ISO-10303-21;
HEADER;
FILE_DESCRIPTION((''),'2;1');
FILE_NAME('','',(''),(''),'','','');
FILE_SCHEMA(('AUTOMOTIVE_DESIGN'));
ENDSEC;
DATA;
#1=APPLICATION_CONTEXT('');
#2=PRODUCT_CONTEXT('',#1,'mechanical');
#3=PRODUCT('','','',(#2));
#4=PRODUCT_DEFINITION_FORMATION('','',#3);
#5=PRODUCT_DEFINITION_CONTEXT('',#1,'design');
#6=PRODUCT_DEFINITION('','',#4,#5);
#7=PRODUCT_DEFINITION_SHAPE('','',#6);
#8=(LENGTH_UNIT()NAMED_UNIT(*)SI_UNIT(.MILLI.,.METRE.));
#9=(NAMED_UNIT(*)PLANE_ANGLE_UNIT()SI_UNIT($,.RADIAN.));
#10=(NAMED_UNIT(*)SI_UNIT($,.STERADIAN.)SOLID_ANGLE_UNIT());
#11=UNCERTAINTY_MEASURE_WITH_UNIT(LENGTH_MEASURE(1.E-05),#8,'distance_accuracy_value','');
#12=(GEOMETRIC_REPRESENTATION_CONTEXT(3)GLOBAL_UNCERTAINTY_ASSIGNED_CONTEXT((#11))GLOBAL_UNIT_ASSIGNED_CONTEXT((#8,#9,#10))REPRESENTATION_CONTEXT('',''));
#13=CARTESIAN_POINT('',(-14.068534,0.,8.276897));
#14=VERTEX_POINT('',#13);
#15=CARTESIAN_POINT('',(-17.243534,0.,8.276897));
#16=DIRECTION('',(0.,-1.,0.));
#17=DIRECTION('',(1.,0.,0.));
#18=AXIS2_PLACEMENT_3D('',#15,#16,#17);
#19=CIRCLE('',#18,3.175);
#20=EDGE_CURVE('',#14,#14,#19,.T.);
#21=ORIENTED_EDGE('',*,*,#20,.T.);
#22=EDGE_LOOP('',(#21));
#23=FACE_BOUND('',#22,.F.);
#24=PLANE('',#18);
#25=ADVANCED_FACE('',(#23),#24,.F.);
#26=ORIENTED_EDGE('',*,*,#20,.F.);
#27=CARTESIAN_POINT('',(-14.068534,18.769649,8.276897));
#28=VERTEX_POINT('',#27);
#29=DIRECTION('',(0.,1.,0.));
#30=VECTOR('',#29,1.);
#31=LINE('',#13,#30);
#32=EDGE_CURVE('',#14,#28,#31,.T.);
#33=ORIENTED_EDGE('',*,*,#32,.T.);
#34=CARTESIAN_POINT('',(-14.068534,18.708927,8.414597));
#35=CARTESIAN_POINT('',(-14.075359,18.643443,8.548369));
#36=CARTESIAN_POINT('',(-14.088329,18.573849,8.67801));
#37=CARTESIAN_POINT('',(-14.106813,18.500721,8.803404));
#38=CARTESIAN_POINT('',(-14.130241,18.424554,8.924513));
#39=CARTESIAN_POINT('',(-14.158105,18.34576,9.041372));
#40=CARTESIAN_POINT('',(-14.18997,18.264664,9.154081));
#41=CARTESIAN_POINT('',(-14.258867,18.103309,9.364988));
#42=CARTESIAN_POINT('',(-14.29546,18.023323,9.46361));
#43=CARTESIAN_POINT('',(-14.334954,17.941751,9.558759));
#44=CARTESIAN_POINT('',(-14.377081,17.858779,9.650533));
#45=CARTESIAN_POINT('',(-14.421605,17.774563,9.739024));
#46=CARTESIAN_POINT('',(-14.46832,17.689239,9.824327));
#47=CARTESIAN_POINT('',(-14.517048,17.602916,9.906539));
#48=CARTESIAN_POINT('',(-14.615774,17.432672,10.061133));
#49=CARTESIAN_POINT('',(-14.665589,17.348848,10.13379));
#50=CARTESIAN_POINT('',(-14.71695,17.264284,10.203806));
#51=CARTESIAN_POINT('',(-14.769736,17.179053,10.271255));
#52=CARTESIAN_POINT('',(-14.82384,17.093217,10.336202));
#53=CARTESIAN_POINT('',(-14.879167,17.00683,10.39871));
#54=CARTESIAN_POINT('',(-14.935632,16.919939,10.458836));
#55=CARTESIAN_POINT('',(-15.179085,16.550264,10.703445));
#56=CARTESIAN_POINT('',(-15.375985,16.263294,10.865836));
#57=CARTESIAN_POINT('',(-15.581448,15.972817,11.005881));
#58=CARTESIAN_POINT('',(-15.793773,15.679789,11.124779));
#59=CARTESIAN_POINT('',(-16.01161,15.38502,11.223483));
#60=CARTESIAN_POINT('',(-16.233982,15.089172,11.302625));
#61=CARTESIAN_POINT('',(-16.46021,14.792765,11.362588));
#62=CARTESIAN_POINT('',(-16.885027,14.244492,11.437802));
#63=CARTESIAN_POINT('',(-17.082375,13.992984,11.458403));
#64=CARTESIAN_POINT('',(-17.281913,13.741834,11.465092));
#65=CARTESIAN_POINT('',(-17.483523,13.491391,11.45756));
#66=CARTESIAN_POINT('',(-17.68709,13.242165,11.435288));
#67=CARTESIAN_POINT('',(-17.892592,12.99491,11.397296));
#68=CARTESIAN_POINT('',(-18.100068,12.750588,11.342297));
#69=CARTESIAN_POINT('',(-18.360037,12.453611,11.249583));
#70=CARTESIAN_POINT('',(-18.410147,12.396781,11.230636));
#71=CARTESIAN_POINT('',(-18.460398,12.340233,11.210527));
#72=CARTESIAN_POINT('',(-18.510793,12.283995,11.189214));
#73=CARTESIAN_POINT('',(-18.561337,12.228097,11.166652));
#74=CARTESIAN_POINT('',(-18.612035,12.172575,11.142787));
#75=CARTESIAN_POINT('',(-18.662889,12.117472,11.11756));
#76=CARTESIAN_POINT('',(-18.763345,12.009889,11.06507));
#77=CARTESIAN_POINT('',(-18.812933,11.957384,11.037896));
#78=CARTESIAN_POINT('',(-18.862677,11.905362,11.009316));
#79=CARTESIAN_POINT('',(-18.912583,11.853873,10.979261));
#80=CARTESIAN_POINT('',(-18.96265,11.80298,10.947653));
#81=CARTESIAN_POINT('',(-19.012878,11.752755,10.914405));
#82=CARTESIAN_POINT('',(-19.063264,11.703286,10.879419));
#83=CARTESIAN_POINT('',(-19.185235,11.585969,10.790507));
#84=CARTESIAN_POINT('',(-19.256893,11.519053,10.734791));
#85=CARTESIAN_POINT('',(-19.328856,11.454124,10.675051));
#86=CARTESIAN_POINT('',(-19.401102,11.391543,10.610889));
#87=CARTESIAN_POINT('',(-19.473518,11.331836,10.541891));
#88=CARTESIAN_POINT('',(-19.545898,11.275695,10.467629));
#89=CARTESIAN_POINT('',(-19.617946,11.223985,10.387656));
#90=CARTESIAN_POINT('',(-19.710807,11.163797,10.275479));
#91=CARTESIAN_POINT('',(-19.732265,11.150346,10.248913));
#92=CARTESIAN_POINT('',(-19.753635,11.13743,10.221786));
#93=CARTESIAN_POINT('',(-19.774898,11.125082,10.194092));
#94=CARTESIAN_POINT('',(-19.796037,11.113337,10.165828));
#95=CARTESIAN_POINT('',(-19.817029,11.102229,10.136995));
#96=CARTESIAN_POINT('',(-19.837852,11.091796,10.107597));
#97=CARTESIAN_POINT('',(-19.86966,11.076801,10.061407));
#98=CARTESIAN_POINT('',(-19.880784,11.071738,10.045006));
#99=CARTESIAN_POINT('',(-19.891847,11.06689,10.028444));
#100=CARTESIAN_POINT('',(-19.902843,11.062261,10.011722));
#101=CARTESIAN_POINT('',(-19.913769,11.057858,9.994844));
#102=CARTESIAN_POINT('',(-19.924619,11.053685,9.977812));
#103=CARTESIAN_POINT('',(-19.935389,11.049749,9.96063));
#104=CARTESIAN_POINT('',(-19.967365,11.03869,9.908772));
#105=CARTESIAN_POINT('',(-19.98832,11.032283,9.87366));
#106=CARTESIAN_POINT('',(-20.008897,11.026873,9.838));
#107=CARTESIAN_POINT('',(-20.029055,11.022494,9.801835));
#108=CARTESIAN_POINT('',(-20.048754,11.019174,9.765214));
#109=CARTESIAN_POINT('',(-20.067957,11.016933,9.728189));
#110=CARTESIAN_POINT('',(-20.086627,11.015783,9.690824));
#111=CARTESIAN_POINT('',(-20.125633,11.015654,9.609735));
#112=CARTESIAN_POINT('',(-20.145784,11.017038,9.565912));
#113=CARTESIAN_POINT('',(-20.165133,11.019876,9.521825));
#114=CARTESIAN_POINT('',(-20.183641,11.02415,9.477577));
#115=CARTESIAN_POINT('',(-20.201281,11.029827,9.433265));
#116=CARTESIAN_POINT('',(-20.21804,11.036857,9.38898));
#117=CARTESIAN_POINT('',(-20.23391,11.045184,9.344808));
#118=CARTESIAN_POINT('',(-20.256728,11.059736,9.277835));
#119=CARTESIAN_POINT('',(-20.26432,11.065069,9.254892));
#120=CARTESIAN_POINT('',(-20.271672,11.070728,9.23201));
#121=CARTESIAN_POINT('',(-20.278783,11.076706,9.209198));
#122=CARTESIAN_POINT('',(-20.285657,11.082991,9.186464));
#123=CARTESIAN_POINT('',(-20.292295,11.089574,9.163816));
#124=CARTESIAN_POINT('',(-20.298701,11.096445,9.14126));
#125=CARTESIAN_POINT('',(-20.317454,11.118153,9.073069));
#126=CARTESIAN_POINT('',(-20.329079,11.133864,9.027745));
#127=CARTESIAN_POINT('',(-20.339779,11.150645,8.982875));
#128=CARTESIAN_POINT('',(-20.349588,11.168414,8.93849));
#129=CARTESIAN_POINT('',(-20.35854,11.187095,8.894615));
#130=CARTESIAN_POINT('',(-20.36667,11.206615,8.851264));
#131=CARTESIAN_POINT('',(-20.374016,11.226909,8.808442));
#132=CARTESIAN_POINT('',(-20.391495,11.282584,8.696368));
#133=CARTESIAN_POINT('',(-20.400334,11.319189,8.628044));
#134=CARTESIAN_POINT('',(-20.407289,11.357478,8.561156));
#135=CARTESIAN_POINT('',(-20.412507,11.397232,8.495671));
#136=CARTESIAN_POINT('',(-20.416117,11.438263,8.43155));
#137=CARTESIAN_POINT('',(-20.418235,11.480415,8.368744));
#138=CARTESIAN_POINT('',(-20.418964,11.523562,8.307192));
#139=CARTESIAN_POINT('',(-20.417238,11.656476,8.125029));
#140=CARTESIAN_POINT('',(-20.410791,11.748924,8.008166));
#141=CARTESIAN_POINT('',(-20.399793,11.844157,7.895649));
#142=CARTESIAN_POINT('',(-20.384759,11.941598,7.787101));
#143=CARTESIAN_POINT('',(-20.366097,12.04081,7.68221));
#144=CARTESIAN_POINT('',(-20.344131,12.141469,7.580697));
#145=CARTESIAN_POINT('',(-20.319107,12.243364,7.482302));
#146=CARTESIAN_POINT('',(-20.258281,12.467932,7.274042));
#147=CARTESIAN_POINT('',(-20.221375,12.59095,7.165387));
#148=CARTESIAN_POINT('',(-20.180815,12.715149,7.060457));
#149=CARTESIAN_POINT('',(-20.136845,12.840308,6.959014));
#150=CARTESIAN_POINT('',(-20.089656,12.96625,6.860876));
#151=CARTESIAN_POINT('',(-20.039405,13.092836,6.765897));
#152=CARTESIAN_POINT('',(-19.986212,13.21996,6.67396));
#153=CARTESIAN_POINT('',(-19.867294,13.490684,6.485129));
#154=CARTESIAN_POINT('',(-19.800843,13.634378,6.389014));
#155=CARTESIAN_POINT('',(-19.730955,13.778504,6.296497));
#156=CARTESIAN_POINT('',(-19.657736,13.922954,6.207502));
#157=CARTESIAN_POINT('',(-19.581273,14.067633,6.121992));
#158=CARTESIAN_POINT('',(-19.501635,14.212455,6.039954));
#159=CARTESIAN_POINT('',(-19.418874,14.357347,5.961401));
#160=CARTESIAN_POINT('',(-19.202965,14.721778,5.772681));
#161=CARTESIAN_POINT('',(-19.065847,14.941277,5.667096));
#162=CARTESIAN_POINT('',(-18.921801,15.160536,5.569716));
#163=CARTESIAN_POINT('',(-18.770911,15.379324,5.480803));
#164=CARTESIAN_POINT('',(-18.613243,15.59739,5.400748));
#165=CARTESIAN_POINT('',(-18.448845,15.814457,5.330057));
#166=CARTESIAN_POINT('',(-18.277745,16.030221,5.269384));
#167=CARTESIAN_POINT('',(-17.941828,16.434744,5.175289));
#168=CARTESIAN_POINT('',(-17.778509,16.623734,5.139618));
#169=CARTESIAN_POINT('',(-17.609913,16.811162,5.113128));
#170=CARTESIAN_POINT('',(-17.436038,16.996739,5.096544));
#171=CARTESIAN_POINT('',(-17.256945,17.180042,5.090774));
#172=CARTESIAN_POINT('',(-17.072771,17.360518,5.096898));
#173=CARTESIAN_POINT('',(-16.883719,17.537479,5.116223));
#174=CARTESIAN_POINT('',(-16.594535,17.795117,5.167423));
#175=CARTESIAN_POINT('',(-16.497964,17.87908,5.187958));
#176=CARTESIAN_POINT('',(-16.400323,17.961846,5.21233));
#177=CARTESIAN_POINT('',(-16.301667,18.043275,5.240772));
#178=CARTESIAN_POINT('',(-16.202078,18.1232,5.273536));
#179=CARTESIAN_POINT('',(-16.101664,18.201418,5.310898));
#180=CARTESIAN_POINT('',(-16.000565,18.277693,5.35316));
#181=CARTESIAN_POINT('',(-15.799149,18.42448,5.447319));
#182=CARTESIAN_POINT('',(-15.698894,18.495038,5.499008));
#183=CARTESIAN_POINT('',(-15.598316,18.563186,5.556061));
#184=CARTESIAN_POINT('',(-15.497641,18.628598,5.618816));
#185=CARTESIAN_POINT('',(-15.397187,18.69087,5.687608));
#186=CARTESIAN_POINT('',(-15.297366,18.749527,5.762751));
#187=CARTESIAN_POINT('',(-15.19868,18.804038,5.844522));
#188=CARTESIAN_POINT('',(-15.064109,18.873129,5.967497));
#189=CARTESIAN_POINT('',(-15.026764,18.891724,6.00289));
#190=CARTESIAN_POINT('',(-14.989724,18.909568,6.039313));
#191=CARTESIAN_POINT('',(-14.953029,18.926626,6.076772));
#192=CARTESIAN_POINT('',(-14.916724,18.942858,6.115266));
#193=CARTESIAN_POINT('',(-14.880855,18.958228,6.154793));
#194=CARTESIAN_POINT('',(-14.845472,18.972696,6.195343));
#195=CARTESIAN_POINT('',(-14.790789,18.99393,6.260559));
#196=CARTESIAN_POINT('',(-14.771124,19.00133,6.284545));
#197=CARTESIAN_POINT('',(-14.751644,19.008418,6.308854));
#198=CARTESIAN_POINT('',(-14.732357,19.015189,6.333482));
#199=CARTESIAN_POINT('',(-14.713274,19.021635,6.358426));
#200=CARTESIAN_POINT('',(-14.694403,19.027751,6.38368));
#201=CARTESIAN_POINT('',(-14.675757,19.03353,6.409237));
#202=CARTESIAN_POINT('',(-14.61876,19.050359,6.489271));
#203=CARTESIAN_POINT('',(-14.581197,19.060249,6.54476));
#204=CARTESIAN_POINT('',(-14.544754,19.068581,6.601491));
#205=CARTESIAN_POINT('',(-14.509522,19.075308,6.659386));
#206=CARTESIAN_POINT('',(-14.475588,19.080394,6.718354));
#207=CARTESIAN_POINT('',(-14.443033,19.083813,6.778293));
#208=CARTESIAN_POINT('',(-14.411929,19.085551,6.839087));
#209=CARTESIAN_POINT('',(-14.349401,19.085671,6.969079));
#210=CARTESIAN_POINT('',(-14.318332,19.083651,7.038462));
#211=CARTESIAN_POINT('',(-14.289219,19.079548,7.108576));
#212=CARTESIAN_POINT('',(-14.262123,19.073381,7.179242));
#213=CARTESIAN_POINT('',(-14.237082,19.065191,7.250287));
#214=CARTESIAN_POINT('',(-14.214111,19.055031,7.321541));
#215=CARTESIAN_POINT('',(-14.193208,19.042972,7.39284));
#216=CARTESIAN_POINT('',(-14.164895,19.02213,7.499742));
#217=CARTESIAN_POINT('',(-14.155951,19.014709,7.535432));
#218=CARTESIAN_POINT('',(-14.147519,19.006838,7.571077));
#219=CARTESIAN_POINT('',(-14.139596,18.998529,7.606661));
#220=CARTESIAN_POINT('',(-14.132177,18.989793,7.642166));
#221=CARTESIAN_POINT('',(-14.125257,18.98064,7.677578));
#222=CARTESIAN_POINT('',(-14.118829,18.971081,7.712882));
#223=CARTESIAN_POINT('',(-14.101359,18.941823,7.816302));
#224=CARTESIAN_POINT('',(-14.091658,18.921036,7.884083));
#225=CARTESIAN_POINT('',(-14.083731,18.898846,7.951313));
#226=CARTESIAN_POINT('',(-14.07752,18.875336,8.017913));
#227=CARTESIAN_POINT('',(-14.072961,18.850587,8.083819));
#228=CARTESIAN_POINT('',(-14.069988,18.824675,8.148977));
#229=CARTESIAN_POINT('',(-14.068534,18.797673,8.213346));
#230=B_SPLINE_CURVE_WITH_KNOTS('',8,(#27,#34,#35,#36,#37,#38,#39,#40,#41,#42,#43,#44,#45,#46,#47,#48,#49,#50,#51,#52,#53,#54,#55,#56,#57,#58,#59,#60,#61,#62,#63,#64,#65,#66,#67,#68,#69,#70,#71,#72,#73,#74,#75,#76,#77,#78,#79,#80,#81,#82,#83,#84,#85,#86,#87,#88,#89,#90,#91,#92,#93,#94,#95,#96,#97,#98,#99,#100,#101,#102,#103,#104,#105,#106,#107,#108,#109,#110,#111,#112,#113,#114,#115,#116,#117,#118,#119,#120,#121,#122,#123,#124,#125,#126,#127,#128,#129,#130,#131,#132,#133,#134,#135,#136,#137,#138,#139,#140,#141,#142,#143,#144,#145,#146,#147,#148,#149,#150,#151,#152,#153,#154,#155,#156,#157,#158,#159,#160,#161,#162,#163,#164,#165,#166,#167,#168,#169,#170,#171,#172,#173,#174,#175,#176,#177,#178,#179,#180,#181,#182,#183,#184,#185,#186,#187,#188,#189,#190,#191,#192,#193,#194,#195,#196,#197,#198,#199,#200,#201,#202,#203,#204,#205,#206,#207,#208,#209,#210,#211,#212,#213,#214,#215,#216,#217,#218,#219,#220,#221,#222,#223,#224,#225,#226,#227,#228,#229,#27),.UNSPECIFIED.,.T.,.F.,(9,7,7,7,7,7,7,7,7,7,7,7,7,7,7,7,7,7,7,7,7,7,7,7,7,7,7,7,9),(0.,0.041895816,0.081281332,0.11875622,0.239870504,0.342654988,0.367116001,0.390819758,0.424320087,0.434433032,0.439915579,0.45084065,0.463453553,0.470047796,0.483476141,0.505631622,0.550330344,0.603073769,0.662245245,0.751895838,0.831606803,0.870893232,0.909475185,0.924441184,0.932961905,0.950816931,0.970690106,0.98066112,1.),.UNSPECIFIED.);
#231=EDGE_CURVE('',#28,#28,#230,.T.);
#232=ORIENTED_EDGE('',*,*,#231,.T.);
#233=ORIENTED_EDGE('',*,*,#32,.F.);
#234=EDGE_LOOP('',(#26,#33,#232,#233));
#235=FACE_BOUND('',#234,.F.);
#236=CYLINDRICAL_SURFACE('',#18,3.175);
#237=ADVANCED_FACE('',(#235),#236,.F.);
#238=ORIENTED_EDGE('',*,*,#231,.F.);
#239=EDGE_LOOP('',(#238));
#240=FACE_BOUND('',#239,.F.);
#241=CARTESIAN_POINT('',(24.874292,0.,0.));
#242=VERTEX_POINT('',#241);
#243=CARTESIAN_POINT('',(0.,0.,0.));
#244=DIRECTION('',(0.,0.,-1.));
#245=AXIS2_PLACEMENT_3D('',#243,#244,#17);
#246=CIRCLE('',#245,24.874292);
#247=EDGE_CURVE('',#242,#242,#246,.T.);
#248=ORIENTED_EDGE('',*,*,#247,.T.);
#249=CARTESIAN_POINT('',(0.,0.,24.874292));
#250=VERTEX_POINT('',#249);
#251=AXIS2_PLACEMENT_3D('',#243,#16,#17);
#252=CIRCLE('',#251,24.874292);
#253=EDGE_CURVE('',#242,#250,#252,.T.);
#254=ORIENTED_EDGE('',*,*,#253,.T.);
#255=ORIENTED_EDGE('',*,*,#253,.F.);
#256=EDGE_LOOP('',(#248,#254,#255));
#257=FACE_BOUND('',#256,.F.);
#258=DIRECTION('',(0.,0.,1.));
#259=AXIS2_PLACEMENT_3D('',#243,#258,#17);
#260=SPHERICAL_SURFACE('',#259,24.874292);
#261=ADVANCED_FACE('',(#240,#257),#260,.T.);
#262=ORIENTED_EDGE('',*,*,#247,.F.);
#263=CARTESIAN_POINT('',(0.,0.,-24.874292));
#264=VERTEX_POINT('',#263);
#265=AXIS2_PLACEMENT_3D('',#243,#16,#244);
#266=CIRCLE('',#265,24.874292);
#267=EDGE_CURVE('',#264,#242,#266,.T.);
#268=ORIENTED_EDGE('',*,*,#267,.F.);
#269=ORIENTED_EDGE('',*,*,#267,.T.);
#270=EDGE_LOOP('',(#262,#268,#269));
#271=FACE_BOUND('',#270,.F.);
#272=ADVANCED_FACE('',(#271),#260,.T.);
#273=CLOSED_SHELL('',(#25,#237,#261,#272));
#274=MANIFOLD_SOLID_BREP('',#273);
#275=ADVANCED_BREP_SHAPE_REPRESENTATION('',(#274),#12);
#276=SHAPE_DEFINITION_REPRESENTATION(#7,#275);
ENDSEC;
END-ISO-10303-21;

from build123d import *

# Parameters (mm, degrees)
F3_D     = 6.35
F3_DEPTH = 24.875292085


with BuildPart() as f1:
    # F0 (on Front) → F1 (revolve)
    with BuildSketch(Plane.XZ):
        with BuildLine():
            ThreePointArc((0, -24.874292085), (17.5887806105, -17.5887806105), (24.874292085, 0))
            ThreePointArc((24.874292085, 0), (17.5887806105, 17.5887806105), (0, 24.874292085))
            Line((0, 24.874292085), (0, -24.874292085))
        make_face()
    revolve(axis=Axis((0, 0, -8.8516809046), (0, 0, -1)))

    # F3 (through all, one way)
    with BuildSketch(Plane.XZ):
        with Locations((-17.2435343266, 8.2768965513)):
            Circle(F3_D / 2)
    extrude(amount=-F3_DEPTH, mode=Mode.SUBTRACT)


solid = f1.part
